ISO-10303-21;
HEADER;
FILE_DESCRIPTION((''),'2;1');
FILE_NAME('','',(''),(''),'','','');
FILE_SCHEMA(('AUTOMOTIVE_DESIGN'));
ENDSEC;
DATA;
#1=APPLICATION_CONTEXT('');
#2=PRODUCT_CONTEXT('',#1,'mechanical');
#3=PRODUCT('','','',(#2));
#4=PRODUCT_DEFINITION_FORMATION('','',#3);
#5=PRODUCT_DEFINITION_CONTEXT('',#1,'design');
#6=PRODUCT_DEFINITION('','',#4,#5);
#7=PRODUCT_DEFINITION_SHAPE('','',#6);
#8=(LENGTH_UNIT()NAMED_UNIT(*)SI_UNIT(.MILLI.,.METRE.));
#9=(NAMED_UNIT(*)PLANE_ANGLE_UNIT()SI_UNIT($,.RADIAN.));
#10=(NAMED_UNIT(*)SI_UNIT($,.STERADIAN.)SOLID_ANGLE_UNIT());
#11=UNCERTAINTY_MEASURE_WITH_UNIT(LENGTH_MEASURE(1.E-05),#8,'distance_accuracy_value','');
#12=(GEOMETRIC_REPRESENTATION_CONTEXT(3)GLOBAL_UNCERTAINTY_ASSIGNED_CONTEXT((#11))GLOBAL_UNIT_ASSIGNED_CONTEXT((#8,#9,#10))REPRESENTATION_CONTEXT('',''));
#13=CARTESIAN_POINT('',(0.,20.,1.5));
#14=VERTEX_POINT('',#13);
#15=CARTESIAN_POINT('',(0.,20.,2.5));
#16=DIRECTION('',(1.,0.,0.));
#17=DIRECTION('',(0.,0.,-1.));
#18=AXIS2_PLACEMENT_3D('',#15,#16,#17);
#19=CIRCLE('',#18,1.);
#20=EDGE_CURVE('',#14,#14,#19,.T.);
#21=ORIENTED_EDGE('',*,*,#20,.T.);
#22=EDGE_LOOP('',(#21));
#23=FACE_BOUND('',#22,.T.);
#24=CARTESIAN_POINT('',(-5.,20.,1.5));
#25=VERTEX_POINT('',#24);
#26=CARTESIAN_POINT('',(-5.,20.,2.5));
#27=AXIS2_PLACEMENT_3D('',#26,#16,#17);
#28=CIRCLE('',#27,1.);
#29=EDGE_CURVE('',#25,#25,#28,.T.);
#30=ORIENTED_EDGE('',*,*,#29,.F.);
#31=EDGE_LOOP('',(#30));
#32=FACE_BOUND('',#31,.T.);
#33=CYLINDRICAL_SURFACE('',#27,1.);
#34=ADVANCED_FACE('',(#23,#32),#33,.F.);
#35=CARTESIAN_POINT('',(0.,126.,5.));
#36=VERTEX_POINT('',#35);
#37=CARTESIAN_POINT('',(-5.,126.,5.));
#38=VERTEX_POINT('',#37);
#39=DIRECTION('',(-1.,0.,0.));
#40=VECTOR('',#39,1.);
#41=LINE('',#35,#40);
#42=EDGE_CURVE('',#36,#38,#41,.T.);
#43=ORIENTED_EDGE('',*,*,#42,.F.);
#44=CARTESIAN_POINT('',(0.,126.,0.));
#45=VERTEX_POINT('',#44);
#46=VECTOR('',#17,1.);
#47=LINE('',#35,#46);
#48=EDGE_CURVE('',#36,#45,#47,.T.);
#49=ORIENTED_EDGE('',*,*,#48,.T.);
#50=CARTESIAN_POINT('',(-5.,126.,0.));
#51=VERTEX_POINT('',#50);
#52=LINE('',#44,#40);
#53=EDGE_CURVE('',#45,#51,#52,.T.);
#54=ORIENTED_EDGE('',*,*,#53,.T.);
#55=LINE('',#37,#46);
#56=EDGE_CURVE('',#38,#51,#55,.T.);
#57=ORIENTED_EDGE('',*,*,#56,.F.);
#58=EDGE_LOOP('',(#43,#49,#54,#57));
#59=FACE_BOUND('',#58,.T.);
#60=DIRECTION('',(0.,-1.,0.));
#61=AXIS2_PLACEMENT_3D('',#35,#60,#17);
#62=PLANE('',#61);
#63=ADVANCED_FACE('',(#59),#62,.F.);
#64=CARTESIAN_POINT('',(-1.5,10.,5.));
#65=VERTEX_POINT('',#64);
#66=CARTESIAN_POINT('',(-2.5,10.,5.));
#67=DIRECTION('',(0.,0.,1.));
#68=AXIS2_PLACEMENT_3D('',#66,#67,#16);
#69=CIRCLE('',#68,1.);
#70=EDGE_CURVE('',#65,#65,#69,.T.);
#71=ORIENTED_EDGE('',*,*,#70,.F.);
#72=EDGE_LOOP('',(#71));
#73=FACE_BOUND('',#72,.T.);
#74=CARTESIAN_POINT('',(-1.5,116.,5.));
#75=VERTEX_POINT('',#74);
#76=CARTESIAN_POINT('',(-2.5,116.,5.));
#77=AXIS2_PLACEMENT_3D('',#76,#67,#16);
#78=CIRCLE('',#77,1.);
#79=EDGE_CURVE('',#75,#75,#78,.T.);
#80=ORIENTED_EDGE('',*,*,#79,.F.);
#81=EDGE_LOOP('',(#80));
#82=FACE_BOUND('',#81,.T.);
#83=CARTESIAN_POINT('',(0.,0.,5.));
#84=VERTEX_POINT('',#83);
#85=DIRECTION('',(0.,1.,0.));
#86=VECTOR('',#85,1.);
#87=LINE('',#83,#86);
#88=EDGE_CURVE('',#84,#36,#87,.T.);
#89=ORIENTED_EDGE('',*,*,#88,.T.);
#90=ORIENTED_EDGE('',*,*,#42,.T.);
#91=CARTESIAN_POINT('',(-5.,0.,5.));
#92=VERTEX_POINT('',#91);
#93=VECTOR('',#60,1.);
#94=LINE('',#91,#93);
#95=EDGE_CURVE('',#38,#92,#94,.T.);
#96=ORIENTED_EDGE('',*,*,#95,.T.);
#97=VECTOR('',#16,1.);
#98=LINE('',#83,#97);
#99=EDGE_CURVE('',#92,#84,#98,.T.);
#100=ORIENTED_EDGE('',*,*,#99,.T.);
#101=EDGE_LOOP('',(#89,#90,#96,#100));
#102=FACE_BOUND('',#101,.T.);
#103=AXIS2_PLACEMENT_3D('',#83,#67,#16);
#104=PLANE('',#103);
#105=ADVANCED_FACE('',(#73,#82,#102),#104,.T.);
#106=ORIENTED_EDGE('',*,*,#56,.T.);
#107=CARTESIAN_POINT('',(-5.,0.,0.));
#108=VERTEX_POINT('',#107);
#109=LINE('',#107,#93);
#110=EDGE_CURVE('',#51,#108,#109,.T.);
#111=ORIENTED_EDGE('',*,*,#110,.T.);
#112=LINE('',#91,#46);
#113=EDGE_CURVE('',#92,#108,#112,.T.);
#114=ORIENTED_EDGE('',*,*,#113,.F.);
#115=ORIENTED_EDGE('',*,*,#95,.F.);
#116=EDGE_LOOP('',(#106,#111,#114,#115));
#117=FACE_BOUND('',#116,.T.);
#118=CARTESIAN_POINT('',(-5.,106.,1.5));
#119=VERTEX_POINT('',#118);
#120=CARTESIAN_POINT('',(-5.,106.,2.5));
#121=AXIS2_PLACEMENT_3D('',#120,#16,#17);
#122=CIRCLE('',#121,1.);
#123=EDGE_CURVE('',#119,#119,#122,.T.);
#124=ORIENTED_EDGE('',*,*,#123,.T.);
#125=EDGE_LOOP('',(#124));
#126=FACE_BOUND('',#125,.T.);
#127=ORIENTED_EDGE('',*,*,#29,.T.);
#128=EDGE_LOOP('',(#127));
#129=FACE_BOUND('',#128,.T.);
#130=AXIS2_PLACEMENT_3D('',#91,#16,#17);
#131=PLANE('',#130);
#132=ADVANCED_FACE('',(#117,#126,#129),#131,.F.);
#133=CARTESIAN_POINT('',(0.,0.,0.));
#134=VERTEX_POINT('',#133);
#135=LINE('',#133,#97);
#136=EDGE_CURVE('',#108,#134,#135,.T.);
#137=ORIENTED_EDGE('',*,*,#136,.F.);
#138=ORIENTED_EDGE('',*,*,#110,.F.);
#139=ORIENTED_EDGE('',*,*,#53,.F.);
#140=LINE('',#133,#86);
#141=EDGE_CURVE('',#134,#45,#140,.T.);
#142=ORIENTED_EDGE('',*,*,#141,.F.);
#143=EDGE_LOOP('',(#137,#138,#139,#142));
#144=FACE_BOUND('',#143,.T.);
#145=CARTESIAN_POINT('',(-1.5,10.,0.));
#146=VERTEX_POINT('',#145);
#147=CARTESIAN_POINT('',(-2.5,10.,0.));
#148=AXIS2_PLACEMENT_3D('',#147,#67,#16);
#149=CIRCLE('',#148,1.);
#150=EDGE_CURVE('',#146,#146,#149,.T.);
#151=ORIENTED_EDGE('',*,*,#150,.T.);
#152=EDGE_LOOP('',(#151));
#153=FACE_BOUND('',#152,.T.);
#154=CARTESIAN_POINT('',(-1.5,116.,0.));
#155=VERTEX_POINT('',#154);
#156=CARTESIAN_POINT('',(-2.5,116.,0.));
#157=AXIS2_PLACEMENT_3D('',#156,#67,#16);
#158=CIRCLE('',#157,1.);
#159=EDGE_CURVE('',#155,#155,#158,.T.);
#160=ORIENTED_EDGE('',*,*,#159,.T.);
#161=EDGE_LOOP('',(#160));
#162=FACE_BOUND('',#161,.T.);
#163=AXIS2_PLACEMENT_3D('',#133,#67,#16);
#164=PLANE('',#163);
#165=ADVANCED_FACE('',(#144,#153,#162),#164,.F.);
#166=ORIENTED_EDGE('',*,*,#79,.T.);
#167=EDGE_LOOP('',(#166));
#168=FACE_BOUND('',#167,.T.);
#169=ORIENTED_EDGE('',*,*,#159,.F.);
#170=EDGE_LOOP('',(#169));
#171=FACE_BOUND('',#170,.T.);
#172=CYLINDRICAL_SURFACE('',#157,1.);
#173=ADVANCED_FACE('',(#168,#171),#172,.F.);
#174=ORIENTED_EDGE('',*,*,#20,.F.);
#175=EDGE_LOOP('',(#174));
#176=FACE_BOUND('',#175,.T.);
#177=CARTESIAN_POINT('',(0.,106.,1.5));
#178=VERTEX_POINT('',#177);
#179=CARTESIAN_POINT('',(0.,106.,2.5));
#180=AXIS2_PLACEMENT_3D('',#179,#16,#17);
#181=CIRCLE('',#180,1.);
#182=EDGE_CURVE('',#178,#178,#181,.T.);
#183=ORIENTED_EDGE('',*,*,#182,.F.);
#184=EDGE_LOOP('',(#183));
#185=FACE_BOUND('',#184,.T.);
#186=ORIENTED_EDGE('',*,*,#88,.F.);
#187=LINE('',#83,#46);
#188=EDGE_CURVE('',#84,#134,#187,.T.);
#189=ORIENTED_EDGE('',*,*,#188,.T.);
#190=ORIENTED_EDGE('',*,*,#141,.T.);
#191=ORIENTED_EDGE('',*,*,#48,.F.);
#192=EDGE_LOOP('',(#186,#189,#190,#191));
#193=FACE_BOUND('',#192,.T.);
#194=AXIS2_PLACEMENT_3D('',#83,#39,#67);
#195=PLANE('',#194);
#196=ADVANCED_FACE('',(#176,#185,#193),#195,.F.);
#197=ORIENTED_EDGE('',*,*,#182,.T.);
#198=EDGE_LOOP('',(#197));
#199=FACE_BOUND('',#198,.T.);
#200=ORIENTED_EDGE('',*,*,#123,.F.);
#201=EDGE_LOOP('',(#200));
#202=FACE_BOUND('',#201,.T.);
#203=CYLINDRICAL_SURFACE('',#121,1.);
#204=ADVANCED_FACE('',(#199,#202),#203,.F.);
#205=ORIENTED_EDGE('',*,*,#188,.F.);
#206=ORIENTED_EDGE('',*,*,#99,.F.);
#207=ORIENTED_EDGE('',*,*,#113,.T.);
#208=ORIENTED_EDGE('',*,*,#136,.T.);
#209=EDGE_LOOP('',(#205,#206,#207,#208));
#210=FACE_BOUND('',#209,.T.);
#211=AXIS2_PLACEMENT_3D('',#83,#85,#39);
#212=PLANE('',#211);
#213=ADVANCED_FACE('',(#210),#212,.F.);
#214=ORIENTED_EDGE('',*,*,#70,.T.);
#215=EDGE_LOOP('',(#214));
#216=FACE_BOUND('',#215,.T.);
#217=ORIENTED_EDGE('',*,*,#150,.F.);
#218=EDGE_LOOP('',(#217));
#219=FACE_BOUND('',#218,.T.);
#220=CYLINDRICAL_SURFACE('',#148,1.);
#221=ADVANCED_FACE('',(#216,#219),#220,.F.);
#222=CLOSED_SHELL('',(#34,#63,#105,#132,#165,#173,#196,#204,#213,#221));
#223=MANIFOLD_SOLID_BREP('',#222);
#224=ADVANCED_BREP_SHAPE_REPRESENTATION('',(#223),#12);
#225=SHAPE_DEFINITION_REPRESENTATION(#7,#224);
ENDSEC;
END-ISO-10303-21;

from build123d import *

# Parameters (mm, degrees)
SKETCH_1_W          = 5
SKETCH_1_H          = 126
EXTRUDE_1_DEPTH     = 5
SKETCH_2_R          = 1
CUT_EXTRUDE_1_DEPTH = 5
SKETCH_3_R          = 1
CUT_EXTRUDE_2_DEPTH = 5


with BuildPart() as part:
    # 草图1 → 凸台-拉伸1 (new body)
    with BuildSketch(Plane.XY):
        with Locations((-2.5, 63)):
            Rectangle(SKETCH_1_W, SKETCH_1_H)
    extrude(amount=EXTRUDE_1_DEPTH)

    # 草图2 → 切除-拉伸1 (cut)
    with BuildSketch(Plane.XY.offset(5)):
        with Locations((-2.5, 116)):
            Circle(SKETCH_2_R)
        with Locations((-2.5, 10)):
            Circle(SKETCH_2_R)
    extrude(amount=-CUT_EXTRUDE_1_DEPTH, mode=Mode.SUBTRACT)

    # 草图3 → 切除-拉伸2 (cut)
    with BuildSketch(Plane(origin=(0, 0, 0), x_dir=(0, 0, -1), z_dir=(1, 0, 0))):
        with Locations((-2.5, 106)):
            Circle(SKETCH_3_R)
        with Locations((-2.5, 20)):
            Circle(SKETCH_3_R)
    extrude(amount=-CUT_EXTRUDE_2_DEPTH, mode=Mode.SUBTRACT)


solid = part.part
